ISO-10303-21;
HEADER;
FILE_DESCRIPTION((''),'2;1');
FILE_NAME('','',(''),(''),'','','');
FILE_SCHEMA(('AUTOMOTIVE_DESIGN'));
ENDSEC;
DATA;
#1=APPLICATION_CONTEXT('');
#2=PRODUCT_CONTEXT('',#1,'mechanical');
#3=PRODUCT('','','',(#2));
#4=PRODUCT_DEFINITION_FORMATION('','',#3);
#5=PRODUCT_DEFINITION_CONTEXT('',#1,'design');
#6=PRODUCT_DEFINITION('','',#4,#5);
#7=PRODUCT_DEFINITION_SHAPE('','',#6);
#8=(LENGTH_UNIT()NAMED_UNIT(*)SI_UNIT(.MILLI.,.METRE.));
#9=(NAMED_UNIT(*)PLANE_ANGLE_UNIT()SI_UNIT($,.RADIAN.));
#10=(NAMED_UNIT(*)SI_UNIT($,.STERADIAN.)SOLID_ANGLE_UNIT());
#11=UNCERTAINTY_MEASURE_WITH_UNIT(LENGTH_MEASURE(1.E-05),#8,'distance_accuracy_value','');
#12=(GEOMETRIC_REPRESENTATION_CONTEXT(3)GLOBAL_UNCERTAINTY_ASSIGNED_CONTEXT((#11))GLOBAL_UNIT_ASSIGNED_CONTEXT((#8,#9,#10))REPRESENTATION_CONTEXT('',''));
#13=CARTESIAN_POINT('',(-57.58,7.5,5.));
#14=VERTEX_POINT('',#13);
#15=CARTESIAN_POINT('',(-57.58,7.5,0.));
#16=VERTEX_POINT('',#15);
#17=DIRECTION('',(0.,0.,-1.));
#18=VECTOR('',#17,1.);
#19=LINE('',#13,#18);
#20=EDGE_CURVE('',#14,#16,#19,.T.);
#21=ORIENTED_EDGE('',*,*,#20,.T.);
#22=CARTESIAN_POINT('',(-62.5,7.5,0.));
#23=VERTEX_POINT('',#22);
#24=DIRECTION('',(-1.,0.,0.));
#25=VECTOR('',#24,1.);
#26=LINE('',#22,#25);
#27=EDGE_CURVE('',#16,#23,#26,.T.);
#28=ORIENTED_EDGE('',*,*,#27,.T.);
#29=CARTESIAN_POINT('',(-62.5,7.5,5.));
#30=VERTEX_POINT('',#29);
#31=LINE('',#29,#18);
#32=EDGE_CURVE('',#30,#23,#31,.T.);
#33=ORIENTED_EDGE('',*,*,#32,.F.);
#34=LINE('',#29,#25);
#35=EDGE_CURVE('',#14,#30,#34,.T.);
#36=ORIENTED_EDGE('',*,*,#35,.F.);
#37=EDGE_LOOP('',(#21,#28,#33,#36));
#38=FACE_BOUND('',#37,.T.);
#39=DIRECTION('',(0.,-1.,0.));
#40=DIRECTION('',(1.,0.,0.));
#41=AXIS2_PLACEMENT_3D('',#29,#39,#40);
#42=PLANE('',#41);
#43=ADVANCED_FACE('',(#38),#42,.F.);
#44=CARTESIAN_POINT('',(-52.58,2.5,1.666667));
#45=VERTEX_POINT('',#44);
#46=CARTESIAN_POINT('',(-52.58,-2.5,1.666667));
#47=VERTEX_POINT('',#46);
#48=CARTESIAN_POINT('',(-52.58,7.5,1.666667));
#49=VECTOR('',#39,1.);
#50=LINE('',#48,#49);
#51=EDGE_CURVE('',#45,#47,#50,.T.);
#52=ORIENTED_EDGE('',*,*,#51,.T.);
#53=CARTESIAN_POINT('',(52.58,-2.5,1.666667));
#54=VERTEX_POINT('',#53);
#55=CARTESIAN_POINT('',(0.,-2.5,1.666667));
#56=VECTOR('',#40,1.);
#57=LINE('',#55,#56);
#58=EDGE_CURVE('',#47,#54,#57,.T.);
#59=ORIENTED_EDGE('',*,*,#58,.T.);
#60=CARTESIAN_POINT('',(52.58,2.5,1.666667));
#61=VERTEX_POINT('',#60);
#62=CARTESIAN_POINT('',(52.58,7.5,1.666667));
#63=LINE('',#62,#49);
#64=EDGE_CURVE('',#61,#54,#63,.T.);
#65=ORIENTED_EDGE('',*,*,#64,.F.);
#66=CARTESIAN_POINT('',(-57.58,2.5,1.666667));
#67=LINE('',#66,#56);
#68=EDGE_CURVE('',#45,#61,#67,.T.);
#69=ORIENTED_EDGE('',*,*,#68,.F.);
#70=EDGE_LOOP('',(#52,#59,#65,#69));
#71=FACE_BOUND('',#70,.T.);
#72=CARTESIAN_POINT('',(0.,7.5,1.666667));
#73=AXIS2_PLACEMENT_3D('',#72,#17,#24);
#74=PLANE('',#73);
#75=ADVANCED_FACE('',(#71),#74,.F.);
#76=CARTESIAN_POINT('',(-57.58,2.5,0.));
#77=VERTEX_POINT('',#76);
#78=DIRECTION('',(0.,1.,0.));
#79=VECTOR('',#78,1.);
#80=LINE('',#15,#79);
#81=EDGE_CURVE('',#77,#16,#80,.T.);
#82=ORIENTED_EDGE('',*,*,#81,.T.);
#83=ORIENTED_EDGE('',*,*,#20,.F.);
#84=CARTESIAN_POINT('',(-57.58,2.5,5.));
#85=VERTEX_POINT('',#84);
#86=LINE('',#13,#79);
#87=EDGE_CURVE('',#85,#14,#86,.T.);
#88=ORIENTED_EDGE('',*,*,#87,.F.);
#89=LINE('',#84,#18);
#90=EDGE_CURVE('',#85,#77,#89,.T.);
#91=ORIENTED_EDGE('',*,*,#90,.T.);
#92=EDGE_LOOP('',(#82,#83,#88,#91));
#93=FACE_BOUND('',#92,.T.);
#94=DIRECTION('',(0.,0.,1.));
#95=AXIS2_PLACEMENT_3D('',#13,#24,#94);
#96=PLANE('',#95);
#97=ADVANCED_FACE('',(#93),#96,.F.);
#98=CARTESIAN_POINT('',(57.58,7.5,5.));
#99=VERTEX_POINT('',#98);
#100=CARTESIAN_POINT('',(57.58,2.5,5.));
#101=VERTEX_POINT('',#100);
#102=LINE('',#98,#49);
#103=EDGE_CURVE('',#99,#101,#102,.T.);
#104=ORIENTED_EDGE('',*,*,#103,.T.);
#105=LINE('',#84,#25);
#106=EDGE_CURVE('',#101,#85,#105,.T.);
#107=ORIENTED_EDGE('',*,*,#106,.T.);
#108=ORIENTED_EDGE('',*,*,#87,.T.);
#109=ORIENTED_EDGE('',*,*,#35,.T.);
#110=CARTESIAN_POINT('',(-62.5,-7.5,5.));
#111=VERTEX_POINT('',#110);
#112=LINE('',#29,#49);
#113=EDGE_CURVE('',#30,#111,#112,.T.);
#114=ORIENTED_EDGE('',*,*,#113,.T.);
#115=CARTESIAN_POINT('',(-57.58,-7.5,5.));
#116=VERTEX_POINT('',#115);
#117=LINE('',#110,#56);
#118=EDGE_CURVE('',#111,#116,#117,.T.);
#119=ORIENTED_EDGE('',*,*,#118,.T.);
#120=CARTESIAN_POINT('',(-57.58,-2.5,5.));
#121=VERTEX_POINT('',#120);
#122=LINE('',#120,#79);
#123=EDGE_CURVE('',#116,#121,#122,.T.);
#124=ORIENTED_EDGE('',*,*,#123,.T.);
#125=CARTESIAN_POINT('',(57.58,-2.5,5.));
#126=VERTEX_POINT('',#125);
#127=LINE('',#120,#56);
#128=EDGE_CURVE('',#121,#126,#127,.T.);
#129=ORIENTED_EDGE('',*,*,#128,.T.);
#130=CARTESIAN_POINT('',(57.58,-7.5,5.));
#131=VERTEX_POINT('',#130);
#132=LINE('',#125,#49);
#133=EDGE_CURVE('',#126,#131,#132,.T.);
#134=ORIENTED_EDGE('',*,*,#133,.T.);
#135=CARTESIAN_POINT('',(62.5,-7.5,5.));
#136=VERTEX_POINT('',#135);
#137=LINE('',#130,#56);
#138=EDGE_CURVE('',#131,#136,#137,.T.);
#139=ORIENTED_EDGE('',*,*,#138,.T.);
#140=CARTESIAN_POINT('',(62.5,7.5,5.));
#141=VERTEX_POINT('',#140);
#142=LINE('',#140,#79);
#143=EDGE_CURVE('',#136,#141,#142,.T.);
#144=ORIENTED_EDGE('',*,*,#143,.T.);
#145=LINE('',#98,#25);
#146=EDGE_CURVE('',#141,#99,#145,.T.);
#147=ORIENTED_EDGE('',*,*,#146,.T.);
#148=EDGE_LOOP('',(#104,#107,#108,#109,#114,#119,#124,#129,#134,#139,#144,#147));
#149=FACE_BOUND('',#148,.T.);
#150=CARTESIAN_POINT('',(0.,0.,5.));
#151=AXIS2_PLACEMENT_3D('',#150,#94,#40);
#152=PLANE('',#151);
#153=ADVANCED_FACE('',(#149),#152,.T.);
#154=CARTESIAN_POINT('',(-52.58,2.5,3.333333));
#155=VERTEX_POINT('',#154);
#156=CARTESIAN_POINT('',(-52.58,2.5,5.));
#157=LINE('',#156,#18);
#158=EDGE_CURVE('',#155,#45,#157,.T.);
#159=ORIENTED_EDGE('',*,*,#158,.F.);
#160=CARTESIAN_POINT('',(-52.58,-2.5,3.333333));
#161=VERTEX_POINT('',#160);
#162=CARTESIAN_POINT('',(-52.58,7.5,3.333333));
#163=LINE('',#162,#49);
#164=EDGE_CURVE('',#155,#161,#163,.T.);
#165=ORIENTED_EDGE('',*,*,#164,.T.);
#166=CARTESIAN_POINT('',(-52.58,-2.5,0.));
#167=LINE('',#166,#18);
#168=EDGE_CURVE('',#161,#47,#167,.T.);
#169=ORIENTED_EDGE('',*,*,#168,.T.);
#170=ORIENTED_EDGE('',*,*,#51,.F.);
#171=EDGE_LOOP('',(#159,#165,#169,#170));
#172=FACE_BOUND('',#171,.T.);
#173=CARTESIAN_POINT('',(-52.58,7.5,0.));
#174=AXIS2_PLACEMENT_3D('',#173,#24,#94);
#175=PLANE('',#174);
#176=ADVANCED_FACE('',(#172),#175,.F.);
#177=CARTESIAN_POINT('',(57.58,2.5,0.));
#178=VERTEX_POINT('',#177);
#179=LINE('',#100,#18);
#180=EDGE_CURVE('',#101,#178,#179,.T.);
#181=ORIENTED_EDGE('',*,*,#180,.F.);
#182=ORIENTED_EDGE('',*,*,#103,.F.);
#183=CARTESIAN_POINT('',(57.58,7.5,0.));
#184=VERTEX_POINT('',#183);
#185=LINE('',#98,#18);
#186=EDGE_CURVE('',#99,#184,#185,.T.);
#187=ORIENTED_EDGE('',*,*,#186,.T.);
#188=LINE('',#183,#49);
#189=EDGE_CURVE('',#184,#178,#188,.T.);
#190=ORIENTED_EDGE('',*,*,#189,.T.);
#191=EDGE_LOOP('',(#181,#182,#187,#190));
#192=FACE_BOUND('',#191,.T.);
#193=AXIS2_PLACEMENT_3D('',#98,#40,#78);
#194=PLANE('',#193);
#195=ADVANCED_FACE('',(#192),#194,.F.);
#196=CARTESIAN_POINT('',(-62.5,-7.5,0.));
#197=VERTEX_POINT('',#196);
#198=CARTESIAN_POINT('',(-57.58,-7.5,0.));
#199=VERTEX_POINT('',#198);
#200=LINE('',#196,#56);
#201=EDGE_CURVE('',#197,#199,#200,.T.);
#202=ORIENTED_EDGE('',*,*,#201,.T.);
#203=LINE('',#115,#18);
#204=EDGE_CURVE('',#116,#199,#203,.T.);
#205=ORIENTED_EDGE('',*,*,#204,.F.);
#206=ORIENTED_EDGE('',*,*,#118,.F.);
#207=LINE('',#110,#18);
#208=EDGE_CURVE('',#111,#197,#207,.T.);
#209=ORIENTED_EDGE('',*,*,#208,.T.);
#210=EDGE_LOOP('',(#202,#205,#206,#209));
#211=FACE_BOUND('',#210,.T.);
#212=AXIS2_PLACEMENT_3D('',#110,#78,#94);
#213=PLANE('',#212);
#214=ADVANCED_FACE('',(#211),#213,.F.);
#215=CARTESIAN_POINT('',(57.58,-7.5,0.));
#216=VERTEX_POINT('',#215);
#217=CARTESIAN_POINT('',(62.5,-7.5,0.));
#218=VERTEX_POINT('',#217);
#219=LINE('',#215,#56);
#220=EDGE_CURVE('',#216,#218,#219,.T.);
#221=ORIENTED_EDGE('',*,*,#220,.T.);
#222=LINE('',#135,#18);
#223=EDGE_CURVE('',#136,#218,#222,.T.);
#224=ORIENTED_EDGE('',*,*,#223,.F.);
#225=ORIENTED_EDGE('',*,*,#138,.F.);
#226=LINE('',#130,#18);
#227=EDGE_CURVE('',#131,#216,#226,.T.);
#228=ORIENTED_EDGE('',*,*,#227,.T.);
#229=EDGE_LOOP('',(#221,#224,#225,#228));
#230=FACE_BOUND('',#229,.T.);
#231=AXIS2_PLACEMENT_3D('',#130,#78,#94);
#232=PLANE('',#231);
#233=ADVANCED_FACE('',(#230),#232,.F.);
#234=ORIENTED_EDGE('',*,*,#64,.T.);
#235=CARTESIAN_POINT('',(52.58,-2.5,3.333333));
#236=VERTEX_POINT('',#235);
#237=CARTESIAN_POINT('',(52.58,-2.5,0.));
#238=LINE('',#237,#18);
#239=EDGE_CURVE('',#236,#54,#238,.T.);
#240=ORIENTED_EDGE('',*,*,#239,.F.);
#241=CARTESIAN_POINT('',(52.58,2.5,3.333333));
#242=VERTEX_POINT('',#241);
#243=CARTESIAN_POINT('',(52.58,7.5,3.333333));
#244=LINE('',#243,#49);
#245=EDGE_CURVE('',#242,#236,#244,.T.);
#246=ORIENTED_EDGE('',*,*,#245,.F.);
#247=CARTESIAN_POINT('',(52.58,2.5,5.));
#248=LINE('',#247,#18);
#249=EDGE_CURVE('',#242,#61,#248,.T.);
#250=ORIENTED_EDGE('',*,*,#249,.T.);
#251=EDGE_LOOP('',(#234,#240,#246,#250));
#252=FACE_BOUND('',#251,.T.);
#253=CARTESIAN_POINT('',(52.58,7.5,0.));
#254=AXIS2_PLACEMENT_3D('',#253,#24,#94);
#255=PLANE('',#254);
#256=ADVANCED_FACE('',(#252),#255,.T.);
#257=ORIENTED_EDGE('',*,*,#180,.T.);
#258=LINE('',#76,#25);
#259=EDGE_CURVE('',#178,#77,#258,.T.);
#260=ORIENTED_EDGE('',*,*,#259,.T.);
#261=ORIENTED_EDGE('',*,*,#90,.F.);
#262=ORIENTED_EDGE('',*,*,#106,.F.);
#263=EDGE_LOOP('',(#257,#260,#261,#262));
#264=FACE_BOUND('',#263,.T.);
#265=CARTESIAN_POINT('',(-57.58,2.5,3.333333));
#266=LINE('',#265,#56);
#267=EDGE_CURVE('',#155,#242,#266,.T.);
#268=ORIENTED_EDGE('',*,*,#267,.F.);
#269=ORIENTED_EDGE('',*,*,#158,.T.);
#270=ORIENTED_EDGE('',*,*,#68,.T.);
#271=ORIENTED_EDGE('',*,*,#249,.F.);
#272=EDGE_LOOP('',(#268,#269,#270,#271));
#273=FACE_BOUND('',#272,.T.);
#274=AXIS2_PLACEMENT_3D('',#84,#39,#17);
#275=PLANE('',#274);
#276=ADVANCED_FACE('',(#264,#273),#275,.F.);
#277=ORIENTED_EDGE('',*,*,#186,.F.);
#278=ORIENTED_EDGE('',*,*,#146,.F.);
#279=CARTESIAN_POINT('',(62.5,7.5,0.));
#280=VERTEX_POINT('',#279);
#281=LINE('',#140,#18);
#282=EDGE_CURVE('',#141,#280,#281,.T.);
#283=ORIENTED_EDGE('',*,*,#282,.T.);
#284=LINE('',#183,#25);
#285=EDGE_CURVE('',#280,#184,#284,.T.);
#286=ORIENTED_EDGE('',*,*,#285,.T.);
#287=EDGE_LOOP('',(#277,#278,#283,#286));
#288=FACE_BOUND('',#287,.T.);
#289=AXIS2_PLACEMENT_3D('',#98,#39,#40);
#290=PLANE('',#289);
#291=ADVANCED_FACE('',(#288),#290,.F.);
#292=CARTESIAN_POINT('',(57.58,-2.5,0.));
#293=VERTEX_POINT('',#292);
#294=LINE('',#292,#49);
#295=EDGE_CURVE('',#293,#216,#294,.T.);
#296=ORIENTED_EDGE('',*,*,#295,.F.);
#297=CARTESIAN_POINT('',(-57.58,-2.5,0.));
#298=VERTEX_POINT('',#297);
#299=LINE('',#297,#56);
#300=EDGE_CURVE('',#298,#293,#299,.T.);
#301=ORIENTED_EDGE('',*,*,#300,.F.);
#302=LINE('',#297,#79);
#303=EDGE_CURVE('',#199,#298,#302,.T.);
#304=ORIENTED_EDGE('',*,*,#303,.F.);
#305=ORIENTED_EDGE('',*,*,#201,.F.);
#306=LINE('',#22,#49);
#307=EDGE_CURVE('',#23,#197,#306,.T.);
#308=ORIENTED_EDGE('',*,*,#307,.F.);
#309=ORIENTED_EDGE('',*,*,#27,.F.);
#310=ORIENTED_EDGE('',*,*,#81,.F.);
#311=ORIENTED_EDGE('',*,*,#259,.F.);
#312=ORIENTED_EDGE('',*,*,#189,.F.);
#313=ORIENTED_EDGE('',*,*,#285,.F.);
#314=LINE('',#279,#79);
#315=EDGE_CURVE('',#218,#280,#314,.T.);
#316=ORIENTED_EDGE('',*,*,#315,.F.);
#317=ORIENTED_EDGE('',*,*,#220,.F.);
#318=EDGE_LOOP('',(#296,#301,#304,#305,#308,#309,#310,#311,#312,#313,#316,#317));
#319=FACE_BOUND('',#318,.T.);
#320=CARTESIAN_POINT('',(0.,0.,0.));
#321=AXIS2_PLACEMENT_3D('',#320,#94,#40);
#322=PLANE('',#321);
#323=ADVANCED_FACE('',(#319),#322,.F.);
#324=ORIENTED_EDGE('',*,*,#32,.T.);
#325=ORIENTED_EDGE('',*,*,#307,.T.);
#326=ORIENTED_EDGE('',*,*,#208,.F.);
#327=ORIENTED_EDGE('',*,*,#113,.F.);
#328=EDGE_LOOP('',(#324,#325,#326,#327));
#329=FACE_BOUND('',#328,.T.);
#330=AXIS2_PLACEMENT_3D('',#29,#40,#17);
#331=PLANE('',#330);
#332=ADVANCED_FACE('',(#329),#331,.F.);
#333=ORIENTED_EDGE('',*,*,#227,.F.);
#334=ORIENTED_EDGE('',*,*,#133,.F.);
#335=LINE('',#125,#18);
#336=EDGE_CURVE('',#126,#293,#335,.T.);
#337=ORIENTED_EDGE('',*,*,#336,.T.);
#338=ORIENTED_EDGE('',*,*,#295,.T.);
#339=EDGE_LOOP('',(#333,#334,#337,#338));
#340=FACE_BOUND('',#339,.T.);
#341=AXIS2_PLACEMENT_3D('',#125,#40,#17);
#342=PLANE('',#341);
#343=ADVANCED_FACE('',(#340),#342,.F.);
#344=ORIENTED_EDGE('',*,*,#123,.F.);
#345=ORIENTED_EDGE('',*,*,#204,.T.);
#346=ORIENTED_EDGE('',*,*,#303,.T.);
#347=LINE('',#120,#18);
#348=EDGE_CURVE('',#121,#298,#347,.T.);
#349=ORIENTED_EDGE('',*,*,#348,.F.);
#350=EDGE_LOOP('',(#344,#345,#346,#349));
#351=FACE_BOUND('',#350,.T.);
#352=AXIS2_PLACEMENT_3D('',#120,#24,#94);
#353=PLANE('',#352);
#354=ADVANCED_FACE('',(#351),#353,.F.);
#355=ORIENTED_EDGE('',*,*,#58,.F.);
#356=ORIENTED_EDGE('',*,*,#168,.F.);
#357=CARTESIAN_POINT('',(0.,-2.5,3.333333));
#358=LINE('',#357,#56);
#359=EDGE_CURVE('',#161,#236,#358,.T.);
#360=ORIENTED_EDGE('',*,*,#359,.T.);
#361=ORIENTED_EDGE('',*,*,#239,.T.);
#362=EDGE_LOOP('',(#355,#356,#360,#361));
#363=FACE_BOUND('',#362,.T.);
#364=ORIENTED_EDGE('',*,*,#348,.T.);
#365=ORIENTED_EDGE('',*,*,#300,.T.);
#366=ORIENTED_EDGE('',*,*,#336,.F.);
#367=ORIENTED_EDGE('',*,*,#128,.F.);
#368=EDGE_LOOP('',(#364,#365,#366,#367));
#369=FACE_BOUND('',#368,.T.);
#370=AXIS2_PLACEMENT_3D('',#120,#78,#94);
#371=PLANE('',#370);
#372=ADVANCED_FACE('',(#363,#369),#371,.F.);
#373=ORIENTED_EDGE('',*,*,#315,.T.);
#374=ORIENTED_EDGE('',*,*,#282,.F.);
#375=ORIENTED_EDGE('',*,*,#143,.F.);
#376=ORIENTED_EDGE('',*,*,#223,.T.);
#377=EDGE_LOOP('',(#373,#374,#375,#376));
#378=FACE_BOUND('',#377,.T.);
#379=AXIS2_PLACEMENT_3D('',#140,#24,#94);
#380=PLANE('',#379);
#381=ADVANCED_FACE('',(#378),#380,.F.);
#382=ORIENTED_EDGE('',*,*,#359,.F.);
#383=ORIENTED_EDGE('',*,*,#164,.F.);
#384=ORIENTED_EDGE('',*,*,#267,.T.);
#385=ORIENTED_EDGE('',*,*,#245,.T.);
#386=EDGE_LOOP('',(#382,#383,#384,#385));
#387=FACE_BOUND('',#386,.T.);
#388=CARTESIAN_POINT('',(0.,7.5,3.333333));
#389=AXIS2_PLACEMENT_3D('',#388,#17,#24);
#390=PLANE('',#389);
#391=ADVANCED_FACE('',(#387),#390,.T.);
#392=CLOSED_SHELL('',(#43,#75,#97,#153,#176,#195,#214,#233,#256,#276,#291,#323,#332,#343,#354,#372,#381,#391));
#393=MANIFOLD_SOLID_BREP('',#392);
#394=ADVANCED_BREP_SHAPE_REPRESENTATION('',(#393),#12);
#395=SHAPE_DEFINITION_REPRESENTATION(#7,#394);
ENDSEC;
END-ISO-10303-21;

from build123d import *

# Parameters (mm, degrees)
SLIDER_MAIN_BODY_DEPTH = 5
SKETCH4_W              = 105.16
SKETCH4_H              = 1.666666666
CUT_EXTRUDE1_DEPTH     = 64.492125496


with BuildPart() as part:
    # Sketch1 → Slider Main Body (new body)
    with BuildSketch(Plane.XY):
        Polygon((-57.58, 7.5), (-57.58, 2.5), (57.58, 2.5), (57.58, 7.5), (62.5, 7.5), (62.5, -7.5), (57.58, -7.5), (57.58, -2.5), (-57.58, -2.5), (-57.58, -7.5), (-62.5, -7.5), (-62.5, 7.5), align=None)
    extrude(amount=SLIDER_MAIN_BODY_DEPTH)

    # Sketch4 → Cut-Extrude1 (cut, through all)
    with BuildSketch(Plane.XZ.offset(2.5)):
        with Locations((0, 2.5)):
            Rectangle(SKETCH4_W, SKETCH4_H)
    extrude(amount=-CUT_EXTRUDE1_DEPTH, mode=Mode.SUBTRACT)


solid = part.part
